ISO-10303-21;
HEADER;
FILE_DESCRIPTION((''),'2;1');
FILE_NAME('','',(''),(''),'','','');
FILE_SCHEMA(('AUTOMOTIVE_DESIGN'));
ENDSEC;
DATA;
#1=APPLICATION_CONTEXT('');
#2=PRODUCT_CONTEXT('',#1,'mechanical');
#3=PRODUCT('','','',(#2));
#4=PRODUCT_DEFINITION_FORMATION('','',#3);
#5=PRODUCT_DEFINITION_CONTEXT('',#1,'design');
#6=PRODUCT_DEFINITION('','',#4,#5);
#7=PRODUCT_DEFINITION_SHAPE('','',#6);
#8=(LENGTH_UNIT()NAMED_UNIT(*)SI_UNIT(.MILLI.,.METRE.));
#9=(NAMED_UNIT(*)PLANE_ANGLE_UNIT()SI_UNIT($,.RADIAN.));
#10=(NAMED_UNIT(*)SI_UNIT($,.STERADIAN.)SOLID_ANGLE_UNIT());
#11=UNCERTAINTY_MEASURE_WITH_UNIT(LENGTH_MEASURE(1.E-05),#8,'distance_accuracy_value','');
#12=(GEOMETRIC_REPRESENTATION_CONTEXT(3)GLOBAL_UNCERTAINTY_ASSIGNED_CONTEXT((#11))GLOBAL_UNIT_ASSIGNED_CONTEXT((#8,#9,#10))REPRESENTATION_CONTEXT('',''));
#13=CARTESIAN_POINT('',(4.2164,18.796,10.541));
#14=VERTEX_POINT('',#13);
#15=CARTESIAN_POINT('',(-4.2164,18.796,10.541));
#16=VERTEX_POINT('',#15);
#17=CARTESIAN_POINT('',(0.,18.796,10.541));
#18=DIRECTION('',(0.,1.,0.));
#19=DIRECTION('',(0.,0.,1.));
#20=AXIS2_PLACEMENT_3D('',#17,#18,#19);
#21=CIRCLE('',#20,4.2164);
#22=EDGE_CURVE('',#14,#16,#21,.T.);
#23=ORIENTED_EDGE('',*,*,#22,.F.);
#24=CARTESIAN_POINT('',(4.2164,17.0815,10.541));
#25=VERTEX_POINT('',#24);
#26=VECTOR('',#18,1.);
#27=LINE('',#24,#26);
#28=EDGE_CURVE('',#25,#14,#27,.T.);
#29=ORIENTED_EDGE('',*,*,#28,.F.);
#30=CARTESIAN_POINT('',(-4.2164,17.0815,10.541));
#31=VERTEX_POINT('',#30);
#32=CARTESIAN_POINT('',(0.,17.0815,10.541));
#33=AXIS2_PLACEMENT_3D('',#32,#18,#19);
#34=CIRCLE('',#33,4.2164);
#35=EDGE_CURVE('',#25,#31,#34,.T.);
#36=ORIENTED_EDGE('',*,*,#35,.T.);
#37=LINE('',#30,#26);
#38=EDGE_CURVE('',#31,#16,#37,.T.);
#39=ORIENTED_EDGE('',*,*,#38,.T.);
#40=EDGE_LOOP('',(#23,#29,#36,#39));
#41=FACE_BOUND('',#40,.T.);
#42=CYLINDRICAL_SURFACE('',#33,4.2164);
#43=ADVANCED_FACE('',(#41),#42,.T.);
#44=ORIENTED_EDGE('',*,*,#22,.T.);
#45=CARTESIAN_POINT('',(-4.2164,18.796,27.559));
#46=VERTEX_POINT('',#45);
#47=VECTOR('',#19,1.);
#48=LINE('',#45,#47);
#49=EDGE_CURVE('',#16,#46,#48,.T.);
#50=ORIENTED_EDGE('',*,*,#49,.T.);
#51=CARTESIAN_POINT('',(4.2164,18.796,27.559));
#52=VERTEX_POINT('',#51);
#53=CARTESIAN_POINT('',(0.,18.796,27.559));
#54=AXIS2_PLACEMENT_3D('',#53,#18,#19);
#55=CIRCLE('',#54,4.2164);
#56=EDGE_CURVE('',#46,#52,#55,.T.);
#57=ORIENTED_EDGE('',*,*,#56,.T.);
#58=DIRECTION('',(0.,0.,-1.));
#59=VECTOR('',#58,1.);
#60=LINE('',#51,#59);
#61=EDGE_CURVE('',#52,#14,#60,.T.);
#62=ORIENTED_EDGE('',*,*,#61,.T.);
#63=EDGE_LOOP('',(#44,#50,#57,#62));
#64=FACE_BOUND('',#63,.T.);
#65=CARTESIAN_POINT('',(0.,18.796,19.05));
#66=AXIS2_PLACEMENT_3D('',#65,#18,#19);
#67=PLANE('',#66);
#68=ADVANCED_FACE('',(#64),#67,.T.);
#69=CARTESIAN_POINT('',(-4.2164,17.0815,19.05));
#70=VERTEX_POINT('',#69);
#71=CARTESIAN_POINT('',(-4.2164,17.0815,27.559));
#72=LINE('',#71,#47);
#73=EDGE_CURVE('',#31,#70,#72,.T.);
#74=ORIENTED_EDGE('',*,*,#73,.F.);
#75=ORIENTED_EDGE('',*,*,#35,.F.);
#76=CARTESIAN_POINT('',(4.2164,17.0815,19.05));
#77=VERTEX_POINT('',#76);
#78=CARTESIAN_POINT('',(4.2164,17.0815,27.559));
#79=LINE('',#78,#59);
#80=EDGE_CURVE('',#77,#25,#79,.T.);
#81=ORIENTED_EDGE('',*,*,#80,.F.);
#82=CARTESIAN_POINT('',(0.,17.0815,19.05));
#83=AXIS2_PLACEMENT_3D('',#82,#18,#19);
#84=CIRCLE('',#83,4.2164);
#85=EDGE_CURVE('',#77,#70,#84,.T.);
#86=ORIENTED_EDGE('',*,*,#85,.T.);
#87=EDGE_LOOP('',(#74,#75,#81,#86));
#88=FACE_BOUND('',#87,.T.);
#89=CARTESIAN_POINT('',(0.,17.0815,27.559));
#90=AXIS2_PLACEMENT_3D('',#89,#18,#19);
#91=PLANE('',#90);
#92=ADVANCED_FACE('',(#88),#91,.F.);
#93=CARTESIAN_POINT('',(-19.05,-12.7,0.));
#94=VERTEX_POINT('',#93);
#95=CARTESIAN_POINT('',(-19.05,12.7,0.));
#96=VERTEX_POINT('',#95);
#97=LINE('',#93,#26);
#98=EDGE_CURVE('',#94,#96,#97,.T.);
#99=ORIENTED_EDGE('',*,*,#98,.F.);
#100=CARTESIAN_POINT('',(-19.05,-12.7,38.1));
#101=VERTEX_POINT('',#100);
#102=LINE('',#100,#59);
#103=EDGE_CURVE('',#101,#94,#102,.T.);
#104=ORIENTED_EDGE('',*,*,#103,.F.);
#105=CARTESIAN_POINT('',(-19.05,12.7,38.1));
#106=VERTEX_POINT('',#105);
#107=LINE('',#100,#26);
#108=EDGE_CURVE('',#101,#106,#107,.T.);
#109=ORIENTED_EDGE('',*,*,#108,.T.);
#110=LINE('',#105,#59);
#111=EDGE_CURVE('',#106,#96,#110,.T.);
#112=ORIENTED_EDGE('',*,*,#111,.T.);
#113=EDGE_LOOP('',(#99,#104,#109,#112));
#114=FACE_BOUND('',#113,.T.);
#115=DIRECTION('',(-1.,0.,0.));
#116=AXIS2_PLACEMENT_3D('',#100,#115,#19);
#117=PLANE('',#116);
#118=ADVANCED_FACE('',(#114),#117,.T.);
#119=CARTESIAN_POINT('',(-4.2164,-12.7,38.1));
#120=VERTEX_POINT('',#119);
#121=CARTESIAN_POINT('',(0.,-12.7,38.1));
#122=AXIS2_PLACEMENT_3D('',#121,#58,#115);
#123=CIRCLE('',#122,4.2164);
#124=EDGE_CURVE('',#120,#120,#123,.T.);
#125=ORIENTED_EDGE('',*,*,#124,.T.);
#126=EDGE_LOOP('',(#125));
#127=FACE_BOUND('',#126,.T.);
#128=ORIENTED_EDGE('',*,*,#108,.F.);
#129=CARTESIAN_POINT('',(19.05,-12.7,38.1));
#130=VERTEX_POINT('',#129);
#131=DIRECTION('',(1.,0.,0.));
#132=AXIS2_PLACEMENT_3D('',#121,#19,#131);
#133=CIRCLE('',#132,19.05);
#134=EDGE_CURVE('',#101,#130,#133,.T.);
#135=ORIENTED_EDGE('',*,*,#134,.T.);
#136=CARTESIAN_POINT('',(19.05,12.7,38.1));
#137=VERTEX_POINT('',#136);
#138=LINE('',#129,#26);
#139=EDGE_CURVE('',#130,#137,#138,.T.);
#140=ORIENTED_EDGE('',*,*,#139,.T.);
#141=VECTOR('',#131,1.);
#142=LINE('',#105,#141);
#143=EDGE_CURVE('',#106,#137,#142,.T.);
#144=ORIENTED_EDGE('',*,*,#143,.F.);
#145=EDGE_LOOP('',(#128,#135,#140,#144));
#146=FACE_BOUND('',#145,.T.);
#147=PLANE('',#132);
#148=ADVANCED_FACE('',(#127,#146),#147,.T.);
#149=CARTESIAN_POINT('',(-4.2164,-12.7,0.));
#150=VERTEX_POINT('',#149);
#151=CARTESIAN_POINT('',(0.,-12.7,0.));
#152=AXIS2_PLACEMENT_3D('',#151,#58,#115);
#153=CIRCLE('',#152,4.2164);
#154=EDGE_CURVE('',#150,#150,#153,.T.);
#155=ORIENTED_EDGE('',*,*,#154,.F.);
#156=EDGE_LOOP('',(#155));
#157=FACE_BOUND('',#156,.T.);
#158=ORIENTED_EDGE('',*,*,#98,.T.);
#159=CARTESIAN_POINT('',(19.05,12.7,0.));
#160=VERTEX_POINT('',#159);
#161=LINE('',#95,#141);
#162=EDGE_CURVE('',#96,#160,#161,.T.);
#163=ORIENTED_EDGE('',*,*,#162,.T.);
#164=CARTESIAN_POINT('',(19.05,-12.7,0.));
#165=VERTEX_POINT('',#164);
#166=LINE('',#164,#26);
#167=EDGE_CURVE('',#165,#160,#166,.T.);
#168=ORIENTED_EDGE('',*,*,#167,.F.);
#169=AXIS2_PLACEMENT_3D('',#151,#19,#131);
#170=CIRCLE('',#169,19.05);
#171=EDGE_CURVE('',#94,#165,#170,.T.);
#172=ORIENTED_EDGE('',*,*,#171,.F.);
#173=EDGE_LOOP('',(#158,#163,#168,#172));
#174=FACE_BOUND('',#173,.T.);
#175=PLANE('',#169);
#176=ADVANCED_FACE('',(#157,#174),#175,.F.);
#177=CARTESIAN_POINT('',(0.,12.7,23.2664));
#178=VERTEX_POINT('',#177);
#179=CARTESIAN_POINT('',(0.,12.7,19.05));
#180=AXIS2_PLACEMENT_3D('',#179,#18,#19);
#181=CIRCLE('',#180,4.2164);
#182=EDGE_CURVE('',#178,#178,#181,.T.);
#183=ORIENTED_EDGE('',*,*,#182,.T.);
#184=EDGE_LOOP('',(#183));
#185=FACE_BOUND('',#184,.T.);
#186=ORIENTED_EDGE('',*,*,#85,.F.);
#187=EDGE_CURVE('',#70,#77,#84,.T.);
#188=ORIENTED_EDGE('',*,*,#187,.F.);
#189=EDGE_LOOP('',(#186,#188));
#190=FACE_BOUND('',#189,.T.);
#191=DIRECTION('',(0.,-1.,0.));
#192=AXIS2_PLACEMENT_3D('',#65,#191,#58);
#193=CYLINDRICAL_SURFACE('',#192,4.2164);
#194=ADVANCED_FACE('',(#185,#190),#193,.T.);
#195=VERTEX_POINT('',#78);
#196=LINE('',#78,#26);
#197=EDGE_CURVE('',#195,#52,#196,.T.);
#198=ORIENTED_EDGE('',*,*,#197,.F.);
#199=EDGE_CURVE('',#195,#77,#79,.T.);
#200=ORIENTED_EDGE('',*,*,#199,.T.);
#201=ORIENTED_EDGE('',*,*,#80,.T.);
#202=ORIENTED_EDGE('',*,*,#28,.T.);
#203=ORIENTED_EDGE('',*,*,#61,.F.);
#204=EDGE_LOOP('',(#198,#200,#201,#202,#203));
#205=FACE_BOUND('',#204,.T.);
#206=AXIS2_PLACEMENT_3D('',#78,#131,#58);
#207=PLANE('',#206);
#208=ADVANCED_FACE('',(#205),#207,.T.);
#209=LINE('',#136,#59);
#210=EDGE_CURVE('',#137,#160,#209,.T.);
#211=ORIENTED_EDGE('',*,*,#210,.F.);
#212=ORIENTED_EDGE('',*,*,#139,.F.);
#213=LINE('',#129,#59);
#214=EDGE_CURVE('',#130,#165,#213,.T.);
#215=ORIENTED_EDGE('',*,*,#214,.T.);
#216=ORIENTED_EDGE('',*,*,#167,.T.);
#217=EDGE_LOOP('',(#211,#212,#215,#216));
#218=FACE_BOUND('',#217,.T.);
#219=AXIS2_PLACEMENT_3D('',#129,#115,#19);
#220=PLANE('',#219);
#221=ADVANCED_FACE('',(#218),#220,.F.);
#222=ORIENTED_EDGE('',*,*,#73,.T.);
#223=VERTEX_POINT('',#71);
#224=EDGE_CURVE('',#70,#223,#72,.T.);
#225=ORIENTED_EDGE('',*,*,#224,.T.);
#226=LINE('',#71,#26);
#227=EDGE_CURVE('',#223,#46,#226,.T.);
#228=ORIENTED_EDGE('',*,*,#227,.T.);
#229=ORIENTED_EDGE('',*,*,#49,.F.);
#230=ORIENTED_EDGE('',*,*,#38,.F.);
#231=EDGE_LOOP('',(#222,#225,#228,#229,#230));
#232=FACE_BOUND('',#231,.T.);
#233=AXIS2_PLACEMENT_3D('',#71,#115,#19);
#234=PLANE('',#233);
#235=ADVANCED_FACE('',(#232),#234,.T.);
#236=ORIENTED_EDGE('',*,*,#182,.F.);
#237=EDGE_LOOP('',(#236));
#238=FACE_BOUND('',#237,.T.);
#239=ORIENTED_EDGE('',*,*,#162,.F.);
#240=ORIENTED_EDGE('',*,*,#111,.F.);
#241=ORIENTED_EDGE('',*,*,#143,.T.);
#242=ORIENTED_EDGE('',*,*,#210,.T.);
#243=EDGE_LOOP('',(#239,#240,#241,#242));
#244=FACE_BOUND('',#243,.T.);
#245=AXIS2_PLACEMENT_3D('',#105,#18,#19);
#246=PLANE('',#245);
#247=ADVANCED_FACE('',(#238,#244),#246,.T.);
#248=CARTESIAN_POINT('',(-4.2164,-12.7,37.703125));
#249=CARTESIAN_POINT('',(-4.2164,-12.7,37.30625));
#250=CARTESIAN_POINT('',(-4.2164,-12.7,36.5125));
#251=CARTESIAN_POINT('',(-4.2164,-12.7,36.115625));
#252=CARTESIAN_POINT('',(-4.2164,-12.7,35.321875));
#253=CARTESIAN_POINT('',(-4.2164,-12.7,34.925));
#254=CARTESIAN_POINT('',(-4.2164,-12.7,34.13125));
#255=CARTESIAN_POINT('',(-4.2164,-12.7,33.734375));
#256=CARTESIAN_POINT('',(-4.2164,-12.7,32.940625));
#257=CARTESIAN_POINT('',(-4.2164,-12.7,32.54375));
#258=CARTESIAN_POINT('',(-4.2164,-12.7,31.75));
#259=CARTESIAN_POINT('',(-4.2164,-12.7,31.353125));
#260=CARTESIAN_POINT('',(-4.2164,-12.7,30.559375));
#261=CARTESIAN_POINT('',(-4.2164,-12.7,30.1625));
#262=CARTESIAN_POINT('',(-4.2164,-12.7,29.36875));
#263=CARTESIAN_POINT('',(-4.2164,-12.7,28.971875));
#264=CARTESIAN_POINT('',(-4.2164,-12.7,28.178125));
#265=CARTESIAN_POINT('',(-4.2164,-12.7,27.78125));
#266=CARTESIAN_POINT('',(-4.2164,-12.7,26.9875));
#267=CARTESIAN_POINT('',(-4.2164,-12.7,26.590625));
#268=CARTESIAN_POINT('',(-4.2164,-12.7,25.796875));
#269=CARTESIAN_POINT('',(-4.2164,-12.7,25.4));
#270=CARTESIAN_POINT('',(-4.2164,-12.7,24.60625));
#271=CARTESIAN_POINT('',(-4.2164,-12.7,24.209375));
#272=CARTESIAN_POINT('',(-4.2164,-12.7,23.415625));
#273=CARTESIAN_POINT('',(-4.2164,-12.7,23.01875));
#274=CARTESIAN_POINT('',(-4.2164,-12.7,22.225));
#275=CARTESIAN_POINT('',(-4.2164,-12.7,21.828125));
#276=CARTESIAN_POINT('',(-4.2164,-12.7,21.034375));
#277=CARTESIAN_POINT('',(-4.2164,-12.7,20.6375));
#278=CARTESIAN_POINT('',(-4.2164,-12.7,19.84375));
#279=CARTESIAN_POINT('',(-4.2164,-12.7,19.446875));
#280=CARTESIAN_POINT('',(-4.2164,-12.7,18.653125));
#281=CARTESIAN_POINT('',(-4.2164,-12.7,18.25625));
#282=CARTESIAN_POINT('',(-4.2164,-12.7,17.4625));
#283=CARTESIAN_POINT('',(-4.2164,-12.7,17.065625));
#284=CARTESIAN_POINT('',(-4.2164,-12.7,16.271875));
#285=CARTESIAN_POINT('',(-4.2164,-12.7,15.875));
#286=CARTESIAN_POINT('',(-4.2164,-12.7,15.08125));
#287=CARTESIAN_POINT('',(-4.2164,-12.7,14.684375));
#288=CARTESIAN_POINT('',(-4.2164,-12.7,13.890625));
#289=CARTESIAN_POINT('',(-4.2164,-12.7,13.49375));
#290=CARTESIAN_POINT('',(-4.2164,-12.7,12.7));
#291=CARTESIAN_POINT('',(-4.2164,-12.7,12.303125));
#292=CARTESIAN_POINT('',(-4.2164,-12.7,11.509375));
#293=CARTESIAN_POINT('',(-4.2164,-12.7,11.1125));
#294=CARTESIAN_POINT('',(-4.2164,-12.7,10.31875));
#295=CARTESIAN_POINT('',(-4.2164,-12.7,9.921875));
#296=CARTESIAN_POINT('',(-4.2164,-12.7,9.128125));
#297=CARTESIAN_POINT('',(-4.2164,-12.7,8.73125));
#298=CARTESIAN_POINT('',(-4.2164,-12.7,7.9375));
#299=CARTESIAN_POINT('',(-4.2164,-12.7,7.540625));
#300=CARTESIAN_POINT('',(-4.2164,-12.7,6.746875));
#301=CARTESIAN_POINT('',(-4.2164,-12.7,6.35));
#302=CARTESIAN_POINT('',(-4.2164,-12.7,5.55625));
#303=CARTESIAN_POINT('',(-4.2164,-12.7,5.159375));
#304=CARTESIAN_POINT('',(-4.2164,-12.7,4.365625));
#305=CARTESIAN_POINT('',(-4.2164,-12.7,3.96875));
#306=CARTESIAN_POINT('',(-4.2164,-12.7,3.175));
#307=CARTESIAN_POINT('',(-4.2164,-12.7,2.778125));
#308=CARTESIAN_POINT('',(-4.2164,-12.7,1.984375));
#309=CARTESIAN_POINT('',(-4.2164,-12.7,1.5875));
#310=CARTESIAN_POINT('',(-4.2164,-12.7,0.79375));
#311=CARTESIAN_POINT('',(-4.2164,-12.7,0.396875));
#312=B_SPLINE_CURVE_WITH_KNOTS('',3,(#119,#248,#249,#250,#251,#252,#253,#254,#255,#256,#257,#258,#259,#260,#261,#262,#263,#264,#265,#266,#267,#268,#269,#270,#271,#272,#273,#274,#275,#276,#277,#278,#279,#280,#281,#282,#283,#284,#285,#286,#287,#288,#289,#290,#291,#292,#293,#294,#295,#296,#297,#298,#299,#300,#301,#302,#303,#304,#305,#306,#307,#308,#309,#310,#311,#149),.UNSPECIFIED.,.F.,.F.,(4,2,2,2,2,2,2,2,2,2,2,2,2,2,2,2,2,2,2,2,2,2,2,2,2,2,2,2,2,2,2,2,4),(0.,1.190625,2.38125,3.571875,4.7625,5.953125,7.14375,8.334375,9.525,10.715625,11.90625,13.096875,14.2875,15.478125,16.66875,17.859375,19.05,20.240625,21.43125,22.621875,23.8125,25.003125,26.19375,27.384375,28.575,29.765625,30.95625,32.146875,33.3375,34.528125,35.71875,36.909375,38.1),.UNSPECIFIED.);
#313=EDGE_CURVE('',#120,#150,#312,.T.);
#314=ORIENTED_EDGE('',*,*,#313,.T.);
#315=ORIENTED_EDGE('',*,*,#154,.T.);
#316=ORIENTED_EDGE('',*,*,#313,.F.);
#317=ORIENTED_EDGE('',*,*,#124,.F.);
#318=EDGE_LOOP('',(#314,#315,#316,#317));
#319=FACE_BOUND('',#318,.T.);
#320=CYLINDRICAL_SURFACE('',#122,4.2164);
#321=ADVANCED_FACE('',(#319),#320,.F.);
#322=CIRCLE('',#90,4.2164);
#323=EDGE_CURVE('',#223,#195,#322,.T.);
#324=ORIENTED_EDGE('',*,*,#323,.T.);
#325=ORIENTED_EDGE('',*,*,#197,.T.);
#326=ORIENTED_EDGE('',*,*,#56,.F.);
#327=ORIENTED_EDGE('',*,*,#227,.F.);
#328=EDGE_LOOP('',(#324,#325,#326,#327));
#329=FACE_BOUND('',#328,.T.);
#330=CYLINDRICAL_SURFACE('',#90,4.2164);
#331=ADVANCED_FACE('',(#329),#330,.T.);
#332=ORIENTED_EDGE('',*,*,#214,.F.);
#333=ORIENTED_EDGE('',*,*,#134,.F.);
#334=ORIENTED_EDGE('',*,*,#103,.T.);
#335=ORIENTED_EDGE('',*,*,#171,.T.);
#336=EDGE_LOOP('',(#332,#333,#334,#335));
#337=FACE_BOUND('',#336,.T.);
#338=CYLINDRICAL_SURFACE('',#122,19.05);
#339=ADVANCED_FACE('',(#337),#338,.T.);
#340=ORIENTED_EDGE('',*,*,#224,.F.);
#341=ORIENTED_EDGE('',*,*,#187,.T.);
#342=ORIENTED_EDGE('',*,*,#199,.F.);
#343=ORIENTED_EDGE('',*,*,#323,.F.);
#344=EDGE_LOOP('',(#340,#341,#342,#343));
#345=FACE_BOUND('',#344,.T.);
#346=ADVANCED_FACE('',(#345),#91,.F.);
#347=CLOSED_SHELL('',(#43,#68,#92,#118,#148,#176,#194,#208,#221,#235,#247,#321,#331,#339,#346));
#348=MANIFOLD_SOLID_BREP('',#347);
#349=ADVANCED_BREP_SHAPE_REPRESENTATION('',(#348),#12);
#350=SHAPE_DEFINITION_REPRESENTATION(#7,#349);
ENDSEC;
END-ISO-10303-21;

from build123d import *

# Parameters (mm, degrees)
BOSS_EXTRUDE1_DEPTH = 38.1
SKETCH2_R           = 4.2164
CUT_EXTRUDE1_DEPTH  = 38.1
SKETCH3_R           = 4.2164
BOSS_EXTRUDE2_DEPTH = 6.096
BOSS_EXTRUDE3_DEPTH = 1.7145


with BuildPart() as part:
    # Sketch1 → Boss-Extrude1 (new body)
    with BuildSketch(Plane.XY):
        with BuildLine():
            Line((-19.05, -12.7), (-19.05, 12.7))
            Line((-19.05, 12.7), (19.05, 12.7))
            Line((19.05, 12.7), (19.05, -12.7))
            ThreePointArc((19.05, -12.7), (0, -31.75), (-19.05, -12.7))
        make_face()
    extrude(amount=BOSS_EXTRUDE1_DEPTH)

    # Sketch2 → Cut-Extrude1 (cut)
    with BuildSketch(Plane(origin=(0, 0, 0), x_dir=(-1, 0, 0), z_dir=(0, 0, -1))):
        with Locations((0, -12.7)):
            Circle(SKETCH2_R)
    extrude(amount=-CUT_EXTRUDE1_DEPTH, mode=Mode.SUBTRACT)

    # Sketch3 → Boss-Extrude2 (add)
    with BuildSketch(Plane(origin=(0, 12.7, 0), x_dir=(1, 0, 0), z_dir=(0, 1, 0))):
        with Locations(Location((0, -19.05, 0), (0, 0, 90))):
            Circle(SKETCH3_R)
    extrude(amount=BOSS_EXTRUDE2_DEPTH)

    # Sketch4 → Boss-Extrude3 (add)
    with BuildSketch(Plane(origin=(0, 18.796, 0), x_dir=(1, 0, 0), z_dir=(0, 1, 0))):
        with BuildLine():
            Line((-4.2164, -27.559), (-4.2164, -10.541))
            ThreePointArc((-4.2164, -10.541), (0, -6.3246), (4.2164, -10.541))
            Line((4.2164, -10.541), (4.2164, -27.559))
            ThreePointArc((4.2164, -27.559), (0, -31.7754), (-4.2164, -27.559))
        make_face()
    extrude(amount=-BOSS_EXTRUDE3_DEPTH)


solid = part.part
